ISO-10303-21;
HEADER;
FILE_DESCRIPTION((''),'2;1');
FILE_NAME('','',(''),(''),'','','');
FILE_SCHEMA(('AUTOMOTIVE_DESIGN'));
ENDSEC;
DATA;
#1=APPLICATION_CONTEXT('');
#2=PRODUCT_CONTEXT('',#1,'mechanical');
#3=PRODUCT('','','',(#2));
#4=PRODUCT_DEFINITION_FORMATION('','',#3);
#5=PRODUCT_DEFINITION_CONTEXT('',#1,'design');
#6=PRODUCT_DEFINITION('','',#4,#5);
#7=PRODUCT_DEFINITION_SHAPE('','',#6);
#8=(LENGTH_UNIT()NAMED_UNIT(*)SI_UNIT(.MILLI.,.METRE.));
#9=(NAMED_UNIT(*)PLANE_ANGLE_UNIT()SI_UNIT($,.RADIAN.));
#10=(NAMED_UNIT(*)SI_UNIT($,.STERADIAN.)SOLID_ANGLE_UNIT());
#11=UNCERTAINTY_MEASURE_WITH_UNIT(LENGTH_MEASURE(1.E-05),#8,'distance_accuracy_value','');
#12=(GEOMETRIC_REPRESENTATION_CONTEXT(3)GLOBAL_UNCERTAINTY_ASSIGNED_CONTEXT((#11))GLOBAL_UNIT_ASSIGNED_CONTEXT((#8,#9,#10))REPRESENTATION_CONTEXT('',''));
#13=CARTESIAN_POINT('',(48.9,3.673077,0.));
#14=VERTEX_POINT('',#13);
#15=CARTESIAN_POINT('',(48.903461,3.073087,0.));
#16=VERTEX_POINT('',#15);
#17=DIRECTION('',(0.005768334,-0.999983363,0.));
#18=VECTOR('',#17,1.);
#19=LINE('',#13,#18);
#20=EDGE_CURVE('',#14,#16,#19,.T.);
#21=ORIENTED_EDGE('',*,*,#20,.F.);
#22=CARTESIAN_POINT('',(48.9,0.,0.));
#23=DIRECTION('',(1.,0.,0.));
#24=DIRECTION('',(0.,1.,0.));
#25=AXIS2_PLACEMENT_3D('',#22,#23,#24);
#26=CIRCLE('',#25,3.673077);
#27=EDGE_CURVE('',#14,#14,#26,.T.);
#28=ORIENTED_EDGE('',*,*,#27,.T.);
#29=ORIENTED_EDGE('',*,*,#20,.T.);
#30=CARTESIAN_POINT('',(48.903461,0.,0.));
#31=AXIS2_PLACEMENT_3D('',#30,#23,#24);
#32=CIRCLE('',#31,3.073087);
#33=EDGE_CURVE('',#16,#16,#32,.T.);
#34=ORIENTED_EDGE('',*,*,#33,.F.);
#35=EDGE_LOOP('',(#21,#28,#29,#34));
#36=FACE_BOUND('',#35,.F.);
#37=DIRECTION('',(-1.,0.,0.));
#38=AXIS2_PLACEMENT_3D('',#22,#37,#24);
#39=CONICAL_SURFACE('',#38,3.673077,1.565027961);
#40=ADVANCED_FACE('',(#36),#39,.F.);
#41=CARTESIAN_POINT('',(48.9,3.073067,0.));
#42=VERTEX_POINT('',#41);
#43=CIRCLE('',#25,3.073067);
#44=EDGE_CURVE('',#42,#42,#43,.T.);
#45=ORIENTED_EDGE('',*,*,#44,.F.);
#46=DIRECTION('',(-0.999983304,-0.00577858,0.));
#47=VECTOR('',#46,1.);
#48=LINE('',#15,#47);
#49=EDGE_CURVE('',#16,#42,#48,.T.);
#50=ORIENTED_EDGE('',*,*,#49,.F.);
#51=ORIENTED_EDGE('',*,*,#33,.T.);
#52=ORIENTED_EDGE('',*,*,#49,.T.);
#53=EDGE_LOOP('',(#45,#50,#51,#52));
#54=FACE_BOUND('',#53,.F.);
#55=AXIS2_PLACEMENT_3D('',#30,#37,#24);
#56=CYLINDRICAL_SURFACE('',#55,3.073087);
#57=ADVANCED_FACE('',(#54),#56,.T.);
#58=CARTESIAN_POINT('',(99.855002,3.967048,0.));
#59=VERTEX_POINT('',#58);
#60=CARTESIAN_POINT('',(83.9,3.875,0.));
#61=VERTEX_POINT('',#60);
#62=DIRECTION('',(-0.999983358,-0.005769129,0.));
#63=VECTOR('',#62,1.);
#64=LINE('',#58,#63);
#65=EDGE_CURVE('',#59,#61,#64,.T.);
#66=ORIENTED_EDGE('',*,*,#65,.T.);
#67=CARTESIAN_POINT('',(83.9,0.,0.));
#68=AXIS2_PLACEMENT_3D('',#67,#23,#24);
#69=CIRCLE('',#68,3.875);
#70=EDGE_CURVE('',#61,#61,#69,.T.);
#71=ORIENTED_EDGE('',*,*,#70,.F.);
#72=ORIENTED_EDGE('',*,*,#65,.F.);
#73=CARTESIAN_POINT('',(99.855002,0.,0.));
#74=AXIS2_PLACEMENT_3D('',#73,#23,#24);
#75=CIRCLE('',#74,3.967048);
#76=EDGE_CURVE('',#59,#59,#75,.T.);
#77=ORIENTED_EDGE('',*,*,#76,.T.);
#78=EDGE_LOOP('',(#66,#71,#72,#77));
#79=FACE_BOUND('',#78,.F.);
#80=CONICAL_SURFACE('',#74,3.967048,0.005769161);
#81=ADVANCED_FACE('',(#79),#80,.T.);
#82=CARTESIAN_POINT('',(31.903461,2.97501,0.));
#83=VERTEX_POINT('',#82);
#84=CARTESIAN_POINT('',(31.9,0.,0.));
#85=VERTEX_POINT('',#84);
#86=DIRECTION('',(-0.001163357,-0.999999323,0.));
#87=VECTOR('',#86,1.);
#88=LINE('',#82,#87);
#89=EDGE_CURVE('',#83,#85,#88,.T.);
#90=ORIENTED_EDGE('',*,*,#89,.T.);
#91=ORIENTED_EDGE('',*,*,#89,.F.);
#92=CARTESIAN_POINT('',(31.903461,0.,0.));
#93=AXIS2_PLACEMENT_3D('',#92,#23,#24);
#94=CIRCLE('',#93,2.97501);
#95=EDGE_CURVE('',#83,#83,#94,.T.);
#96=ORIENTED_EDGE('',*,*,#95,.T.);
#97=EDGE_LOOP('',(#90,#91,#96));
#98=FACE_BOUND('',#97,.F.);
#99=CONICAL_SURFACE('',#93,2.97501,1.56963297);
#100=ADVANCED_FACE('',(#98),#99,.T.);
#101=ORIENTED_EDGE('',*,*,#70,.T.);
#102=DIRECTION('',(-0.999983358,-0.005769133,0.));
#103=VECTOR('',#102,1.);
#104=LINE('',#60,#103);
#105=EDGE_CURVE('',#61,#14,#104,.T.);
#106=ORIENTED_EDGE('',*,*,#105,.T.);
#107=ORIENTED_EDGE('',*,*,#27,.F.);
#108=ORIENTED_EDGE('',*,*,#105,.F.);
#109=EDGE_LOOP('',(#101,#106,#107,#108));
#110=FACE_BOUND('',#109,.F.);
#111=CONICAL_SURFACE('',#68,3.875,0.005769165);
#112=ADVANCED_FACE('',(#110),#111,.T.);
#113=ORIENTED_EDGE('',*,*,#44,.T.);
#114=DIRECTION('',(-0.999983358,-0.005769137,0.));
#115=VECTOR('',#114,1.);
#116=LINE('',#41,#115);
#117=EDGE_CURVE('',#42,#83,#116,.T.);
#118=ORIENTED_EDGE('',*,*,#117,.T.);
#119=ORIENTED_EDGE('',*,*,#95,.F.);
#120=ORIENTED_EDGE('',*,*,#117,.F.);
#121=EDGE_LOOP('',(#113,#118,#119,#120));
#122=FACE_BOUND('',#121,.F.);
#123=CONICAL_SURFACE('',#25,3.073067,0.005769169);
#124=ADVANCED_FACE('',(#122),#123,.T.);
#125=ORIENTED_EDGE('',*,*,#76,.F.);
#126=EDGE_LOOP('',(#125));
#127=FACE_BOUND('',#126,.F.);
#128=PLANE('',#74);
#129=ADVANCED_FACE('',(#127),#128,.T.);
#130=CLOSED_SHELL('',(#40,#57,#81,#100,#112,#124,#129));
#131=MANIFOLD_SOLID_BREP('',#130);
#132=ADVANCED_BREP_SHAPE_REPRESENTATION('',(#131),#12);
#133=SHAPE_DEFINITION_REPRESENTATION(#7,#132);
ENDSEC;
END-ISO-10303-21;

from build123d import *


with BuildPart() as f2:
    # F1 (on Top) → F2 (revolve)
    with BuildSketch(Plane.XY):
        Polygon((31.9, 0), (48.9, 0), (48.9, 3.073067), (31.903461, 2.97501), align=None)
        Polygon((48.9, 0), (83.9, 0), (83.9, 3.875), (48.9, 3.673077), (48.903461, 3.073087), (48.9, 3.073067), align=None)
        Polygon((83.9, 3.875), (83.9, 0), (99.855002, 0), (99.855002, 3.967048), align=None)
    revolve(axis=Axis((24.45, 0, 0), (1, 0, 0)))


solid = f2.part
